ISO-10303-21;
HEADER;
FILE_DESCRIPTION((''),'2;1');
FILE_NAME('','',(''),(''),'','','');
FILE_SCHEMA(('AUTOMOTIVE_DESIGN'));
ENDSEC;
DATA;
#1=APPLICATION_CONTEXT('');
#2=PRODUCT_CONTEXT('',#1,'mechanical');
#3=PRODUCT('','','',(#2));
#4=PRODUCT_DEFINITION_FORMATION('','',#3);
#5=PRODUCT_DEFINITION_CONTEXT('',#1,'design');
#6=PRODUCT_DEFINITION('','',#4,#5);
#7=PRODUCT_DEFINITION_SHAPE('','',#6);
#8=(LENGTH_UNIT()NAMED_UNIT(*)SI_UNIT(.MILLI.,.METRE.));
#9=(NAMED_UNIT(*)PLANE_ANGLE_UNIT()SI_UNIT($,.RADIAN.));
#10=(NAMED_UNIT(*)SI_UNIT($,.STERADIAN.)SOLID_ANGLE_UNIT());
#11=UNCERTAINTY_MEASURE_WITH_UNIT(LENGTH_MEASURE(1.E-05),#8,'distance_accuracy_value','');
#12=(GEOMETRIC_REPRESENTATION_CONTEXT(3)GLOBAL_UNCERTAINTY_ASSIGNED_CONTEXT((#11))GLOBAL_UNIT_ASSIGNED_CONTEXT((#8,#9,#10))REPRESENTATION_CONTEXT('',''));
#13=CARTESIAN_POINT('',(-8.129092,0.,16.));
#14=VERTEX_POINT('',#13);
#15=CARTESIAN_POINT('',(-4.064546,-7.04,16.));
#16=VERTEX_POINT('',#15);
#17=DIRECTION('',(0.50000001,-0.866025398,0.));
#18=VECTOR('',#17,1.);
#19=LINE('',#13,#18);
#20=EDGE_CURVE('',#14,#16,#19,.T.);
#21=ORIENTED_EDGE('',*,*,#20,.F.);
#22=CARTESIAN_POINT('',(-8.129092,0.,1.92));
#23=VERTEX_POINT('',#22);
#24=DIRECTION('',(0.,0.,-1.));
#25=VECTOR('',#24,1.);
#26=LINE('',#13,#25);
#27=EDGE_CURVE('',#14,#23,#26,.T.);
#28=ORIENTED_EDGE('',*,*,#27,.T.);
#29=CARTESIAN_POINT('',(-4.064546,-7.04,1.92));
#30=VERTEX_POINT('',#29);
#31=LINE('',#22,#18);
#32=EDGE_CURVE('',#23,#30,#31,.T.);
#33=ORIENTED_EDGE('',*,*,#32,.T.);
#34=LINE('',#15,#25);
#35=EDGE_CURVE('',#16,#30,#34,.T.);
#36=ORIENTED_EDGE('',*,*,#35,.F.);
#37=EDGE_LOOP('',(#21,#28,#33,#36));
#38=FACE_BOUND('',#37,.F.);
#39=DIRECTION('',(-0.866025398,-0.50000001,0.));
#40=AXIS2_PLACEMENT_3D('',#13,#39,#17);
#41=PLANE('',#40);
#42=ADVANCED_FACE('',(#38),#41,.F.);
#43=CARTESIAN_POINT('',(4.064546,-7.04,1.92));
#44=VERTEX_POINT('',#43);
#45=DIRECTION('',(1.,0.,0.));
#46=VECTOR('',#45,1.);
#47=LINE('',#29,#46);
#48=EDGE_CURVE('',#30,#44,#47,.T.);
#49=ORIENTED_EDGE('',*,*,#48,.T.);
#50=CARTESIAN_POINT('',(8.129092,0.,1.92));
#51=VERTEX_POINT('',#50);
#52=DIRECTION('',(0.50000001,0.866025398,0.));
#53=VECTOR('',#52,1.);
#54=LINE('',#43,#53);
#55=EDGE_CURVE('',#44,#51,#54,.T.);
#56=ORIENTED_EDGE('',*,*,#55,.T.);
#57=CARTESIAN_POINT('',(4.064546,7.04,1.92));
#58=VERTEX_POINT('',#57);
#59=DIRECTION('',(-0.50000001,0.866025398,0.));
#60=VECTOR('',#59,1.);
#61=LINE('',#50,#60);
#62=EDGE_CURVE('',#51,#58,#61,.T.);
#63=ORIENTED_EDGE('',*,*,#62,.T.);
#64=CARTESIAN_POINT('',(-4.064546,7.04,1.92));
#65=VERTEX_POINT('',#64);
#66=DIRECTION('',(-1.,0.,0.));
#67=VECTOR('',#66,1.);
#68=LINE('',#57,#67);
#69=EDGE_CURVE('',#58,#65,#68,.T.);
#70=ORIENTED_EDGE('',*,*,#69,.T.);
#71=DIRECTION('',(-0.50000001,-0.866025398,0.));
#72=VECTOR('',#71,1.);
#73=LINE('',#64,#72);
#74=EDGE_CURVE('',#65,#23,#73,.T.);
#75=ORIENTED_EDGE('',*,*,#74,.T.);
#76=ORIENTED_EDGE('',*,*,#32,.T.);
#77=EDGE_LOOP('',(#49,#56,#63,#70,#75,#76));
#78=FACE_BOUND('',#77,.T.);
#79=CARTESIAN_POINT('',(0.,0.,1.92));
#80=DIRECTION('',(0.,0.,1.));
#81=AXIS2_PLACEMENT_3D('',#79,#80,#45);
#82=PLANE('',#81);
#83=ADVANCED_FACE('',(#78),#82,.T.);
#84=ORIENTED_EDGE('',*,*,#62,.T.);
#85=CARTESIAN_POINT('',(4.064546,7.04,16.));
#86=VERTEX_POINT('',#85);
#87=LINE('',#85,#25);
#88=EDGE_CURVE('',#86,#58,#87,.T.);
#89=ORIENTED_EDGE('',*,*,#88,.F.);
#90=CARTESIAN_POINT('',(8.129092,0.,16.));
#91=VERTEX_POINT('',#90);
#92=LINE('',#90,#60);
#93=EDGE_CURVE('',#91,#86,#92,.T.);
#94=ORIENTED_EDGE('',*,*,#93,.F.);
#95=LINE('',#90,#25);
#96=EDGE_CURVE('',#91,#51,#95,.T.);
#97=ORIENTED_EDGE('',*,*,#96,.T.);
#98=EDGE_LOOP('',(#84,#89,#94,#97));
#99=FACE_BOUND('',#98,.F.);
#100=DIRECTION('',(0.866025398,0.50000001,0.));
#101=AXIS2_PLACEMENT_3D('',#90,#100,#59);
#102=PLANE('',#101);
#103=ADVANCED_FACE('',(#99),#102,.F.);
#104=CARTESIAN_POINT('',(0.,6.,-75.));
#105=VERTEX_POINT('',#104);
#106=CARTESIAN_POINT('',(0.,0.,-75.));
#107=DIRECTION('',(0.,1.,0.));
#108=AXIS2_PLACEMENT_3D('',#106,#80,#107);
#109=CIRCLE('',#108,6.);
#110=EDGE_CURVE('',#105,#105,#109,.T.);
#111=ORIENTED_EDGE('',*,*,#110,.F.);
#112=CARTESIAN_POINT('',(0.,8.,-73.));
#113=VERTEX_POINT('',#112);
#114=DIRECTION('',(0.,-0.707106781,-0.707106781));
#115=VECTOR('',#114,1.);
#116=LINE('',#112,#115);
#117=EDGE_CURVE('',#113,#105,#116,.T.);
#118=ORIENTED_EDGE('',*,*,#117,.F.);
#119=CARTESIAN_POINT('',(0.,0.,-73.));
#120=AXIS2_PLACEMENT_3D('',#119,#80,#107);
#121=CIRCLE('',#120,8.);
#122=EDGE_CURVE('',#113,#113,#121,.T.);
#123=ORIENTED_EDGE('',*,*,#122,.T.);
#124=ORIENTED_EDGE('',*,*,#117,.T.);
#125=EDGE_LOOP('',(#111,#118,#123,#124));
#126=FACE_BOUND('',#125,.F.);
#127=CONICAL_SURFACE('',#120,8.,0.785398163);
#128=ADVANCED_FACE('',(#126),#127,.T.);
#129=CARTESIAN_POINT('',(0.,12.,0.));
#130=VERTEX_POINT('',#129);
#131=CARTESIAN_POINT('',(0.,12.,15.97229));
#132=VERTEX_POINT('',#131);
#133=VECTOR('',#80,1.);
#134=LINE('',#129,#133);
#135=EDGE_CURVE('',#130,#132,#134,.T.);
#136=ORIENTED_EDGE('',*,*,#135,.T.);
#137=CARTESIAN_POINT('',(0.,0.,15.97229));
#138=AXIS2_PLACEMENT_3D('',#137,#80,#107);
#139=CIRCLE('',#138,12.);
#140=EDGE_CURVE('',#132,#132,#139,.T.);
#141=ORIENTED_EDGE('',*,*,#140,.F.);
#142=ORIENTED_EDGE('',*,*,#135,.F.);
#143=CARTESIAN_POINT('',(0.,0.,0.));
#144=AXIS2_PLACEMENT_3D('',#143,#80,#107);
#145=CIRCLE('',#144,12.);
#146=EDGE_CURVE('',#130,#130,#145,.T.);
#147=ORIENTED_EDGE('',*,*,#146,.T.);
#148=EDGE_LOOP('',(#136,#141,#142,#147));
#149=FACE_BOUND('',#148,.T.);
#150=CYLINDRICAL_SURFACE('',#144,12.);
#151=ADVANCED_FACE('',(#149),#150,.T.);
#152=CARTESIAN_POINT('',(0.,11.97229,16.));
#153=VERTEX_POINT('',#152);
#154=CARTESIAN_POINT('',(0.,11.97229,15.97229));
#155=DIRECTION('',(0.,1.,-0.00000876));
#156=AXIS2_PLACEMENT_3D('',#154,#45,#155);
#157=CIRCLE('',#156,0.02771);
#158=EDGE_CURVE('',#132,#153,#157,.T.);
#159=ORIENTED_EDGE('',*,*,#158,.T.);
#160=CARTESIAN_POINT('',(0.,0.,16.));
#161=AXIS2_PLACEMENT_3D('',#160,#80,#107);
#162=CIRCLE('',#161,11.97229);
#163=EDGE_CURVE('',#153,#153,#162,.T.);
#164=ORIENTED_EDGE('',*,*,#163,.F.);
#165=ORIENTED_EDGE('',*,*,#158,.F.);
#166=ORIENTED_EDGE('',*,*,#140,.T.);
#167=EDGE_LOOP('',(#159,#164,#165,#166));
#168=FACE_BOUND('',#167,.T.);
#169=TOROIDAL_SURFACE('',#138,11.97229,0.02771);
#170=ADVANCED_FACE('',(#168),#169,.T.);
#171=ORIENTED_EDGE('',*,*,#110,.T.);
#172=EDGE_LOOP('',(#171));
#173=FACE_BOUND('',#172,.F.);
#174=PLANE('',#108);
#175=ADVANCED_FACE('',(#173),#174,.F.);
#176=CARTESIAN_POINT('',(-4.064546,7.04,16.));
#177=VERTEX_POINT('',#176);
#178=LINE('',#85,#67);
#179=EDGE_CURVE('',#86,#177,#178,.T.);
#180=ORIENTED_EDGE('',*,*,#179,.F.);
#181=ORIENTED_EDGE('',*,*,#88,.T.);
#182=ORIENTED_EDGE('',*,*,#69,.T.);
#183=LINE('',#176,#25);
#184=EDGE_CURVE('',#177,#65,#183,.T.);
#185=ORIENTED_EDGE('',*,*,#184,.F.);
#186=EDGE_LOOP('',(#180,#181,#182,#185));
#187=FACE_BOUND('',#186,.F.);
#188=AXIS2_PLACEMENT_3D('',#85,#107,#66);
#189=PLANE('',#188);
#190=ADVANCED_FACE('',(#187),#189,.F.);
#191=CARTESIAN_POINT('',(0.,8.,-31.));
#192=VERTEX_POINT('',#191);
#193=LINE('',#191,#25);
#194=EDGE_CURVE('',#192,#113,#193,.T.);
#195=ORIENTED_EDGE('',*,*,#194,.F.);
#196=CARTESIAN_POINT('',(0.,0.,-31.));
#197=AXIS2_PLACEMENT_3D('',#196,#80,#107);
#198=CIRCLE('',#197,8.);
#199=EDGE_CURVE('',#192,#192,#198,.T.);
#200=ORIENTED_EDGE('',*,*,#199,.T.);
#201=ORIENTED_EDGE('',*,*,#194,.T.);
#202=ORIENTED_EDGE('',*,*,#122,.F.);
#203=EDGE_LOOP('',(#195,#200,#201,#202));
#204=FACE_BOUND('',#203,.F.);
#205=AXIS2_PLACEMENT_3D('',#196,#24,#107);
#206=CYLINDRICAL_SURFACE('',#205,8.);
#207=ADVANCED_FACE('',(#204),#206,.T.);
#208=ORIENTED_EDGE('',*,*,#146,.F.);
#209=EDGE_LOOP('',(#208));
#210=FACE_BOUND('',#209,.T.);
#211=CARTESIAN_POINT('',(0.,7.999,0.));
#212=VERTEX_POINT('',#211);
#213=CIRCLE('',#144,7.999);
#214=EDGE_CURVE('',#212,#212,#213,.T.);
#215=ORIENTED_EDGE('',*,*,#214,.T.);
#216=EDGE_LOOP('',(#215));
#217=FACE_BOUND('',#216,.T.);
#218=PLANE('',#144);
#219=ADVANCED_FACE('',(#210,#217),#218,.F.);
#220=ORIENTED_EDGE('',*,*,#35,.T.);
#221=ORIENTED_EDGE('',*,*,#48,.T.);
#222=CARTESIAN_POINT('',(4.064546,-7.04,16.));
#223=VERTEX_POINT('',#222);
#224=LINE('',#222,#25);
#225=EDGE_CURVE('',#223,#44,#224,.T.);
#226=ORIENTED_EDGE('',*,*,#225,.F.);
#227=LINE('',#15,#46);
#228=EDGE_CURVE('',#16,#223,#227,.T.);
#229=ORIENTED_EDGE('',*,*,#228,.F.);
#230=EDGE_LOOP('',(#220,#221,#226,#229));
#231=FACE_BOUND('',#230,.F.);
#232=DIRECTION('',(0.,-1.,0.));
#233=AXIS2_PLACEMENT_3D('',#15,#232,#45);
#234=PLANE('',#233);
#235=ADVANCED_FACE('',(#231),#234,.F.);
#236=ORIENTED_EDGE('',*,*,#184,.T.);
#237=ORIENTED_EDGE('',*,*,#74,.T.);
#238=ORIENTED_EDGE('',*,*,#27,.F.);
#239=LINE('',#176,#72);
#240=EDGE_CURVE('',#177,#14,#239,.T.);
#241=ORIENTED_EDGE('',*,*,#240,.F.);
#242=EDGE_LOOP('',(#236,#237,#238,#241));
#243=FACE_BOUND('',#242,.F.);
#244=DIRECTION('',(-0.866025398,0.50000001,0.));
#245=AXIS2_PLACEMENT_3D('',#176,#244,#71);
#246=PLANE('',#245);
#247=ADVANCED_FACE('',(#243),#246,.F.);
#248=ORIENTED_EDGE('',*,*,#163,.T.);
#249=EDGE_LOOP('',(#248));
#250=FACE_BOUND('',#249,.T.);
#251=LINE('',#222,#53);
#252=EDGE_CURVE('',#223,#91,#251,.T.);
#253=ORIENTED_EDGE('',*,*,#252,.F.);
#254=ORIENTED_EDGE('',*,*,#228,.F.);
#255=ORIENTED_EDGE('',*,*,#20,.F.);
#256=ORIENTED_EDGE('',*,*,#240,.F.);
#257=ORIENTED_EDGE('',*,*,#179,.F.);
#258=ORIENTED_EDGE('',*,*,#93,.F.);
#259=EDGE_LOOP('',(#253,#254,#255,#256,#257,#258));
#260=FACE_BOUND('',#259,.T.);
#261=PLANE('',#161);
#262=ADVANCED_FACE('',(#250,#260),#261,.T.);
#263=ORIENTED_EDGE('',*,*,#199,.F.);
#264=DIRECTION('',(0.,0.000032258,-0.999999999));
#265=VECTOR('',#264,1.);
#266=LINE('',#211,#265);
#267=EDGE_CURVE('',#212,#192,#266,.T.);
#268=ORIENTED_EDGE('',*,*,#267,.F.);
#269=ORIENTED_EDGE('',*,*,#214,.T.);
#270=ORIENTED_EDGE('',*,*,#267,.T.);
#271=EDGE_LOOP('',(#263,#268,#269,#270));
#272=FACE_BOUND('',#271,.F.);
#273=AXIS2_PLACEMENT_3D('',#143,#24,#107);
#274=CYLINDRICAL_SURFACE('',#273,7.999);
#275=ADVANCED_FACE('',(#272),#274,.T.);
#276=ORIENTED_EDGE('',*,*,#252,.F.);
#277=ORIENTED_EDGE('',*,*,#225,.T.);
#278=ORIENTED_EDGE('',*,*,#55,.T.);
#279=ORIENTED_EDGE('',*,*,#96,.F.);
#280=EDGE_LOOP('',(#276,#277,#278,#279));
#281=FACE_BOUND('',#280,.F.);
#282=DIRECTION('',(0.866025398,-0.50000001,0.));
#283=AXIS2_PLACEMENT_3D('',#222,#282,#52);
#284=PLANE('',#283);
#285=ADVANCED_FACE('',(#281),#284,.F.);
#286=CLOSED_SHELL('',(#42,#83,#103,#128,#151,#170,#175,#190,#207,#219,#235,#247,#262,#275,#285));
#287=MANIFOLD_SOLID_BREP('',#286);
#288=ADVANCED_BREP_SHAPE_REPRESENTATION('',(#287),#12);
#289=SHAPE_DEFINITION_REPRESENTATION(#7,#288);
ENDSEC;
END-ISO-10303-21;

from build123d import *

# Parameters (mm, degrees)
POCKET_DEPTH = 14.08


with BuildPart() as part:
    # Sketch → Revolve (revolve)
    with BuildSketch(Plane.YZ):
        with BuildLine():
            Line((7.999, 0), (12, 0))
            Line((12, 0), (12, 15.97229))
            ThreePointArc((12, 15.97229), (11.991884, 15.991884), (11.97229, 16))
            Line((11.97229, 16), (0, 16))
            Line((0, -75), (0, 16))
            Line((6, -75), (0, -75))
            Line((8, -73), (6, -75))
            Line((8, -31), (8, -73))
            Line((7.999, 0), (8, -31))
        make_face()
    revolve(axis=Axis((0, 0, 0), (0, 0, 1)))

    # Sketch001 → Pocket (cut)
    with BuildSketch(Plane.XY.offset(16)):
        Polygon((8.129092, 0), (4.064546, 7.04), (-4.064546, 7.04), (-8.129092, 0), (-4.064546, -7.04), (4.064546, -7.04), align=None)
    extrude(amount=-POCKET_DEPTH, mode=Mode.SUBTRACT)


solid = part.part
